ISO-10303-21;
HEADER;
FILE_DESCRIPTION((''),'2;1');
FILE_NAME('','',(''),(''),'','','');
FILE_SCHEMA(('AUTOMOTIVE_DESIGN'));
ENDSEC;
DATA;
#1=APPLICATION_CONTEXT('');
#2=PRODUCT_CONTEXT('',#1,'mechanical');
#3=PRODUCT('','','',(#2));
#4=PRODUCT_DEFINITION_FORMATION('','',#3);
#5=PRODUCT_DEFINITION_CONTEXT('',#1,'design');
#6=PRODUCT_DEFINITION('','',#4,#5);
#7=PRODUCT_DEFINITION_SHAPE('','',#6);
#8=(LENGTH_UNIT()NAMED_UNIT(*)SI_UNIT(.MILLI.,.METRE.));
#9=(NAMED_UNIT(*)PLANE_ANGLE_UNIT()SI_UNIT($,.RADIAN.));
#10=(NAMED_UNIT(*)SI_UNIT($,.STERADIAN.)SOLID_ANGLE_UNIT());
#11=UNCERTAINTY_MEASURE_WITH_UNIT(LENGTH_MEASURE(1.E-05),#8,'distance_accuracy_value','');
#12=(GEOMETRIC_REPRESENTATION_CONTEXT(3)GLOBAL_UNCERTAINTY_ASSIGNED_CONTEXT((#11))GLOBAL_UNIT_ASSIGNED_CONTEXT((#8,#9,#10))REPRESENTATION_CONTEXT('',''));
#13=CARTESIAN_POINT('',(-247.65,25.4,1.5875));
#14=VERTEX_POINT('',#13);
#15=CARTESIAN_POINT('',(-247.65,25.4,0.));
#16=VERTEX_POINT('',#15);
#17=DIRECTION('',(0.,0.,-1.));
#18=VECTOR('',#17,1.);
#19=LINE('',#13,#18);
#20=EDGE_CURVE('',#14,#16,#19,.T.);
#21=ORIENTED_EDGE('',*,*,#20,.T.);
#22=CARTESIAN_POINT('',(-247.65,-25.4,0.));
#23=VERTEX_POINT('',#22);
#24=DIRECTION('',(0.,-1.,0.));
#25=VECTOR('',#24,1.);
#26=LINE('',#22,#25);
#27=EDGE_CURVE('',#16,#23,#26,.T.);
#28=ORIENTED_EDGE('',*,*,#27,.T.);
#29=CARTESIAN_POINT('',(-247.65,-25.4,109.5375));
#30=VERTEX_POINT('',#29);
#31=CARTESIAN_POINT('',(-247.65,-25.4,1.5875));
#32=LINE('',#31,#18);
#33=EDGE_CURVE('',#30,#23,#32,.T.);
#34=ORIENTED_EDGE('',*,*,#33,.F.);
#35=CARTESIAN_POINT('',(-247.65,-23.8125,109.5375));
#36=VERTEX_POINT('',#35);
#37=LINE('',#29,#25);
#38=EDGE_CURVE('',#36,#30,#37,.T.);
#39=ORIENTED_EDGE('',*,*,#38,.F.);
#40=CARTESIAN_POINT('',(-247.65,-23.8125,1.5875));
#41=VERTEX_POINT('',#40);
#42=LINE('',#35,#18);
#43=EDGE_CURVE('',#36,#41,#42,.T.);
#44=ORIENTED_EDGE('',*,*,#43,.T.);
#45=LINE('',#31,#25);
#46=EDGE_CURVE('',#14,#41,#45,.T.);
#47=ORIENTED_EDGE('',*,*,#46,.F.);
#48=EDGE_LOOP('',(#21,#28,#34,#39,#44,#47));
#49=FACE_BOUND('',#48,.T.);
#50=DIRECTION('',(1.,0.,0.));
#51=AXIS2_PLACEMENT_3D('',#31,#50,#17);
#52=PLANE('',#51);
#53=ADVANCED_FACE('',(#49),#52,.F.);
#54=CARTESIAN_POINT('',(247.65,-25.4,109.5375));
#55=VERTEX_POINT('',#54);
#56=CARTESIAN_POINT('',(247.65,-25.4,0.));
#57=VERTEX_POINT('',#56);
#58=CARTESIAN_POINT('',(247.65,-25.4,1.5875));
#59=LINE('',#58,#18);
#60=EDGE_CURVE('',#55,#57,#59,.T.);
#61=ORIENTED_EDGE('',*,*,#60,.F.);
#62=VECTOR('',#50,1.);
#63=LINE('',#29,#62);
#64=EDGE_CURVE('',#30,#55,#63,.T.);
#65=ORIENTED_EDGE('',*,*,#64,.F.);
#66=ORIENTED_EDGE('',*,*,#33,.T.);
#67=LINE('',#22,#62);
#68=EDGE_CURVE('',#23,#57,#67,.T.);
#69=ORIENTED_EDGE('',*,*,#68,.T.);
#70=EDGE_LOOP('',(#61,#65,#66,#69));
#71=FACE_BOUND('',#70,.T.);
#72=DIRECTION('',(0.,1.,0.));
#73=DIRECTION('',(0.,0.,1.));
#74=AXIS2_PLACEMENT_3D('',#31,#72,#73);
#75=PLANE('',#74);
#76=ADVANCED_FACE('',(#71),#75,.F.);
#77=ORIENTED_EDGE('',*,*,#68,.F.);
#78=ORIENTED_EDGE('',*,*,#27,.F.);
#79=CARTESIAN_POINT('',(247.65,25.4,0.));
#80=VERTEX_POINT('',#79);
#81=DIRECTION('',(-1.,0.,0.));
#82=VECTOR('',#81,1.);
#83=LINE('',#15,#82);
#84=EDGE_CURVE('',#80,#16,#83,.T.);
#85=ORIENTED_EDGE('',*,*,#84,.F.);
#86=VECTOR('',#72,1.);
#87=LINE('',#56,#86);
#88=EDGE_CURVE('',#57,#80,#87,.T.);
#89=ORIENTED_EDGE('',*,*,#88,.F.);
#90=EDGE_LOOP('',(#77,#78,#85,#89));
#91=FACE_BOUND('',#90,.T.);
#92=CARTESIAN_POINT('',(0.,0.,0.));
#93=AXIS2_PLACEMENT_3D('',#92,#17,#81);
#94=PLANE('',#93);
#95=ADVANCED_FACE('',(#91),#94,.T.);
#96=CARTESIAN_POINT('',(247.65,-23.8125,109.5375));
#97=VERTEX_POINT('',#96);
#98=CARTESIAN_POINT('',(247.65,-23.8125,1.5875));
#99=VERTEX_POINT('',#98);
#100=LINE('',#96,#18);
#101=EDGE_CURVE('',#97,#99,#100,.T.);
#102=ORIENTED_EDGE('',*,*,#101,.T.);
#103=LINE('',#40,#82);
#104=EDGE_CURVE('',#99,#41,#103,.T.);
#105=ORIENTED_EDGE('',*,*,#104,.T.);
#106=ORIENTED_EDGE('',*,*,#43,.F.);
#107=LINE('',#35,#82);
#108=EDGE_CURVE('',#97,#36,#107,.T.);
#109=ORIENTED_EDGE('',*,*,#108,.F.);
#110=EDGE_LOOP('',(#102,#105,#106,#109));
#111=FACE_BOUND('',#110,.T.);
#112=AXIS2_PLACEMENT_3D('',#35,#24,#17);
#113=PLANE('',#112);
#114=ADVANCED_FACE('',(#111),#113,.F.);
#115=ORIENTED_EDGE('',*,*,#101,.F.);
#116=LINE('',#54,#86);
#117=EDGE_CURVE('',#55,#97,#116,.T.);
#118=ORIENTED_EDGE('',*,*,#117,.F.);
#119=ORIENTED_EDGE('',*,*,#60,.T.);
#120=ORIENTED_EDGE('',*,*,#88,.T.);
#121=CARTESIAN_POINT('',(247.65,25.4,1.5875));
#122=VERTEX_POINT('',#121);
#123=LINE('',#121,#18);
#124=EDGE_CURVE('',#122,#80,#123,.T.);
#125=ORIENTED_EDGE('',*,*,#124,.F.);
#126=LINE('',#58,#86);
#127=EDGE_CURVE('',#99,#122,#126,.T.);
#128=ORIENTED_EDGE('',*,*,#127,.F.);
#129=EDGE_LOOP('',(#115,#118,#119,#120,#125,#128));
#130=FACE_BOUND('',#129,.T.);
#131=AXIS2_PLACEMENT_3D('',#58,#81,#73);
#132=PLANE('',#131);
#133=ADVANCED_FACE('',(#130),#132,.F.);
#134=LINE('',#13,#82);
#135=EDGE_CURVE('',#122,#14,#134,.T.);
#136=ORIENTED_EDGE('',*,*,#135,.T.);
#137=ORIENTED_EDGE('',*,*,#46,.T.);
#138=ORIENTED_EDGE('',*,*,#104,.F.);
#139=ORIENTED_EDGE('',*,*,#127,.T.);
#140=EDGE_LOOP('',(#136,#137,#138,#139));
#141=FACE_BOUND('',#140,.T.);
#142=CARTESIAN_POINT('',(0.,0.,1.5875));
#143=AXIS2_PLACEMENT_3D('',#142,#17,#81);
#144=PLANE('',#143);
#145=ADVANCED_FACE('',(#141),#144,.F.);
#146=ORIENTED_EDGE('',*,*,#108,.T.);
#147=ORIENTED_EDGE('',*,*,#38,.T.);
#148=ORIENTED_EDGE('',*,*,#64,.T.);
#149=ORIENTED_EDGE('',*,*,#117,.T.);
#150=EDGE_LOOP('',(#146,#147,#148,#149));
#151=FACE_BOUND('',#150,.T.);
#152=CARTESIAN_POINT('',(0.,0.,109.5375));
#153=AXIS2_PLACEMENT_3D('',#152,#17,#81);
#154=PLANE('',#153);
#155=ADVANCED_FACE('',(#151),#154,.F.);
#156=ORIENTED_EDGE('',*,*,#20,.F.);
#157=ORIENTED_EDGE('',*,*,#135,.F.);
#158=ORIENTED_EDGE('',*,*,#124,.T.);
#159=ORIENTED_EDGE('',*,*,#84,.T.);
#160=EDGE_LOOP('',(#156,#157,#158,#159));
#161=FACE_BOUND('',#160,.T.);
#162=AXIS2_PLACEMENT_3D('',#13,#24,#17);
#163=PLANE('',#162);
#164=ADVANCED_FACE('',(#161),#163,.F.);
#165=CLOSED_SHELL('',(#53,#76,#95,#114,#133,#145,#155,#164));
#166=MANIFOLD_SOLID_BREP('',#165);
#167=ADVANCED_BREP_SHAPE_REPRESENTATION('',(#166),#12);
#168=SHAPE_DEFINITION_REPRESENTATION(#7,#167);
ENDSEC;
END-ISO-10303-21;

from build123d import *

# Parameters (mm, degrees)
SKETCH1_W           = 495.3
SKETCH1_H           = 50.8
BOSS_EXTRUDE1_DEPTH = 1.5875
SKETCH2_W           = 495.3
SKETCH2_H           = 1.5875
BOSS_EXTRUDE2_DEPTH = 107.95


with BuildPart() as part:
    # Sketch1 → Boss-Extrude1 (new body)
    with BuildSketch(Plane.XY):
        Rectangle(SKETCH1_W, SKETCH1_H)
    extrude(amount=BOSS_EXTRUDE1_DEPTH)

    # Sketch2 → Boss-Extrude2 (add)
    with BuildSketch(Plane.XY.offset(1.5875)):
        with Locations((0, -24.60625)):
            Rectangle(SKETCH2_W, SKETCH2_H)
    extrude(amount=BOSS_EXTRUDE2_DEPTH)


solid = part.part
